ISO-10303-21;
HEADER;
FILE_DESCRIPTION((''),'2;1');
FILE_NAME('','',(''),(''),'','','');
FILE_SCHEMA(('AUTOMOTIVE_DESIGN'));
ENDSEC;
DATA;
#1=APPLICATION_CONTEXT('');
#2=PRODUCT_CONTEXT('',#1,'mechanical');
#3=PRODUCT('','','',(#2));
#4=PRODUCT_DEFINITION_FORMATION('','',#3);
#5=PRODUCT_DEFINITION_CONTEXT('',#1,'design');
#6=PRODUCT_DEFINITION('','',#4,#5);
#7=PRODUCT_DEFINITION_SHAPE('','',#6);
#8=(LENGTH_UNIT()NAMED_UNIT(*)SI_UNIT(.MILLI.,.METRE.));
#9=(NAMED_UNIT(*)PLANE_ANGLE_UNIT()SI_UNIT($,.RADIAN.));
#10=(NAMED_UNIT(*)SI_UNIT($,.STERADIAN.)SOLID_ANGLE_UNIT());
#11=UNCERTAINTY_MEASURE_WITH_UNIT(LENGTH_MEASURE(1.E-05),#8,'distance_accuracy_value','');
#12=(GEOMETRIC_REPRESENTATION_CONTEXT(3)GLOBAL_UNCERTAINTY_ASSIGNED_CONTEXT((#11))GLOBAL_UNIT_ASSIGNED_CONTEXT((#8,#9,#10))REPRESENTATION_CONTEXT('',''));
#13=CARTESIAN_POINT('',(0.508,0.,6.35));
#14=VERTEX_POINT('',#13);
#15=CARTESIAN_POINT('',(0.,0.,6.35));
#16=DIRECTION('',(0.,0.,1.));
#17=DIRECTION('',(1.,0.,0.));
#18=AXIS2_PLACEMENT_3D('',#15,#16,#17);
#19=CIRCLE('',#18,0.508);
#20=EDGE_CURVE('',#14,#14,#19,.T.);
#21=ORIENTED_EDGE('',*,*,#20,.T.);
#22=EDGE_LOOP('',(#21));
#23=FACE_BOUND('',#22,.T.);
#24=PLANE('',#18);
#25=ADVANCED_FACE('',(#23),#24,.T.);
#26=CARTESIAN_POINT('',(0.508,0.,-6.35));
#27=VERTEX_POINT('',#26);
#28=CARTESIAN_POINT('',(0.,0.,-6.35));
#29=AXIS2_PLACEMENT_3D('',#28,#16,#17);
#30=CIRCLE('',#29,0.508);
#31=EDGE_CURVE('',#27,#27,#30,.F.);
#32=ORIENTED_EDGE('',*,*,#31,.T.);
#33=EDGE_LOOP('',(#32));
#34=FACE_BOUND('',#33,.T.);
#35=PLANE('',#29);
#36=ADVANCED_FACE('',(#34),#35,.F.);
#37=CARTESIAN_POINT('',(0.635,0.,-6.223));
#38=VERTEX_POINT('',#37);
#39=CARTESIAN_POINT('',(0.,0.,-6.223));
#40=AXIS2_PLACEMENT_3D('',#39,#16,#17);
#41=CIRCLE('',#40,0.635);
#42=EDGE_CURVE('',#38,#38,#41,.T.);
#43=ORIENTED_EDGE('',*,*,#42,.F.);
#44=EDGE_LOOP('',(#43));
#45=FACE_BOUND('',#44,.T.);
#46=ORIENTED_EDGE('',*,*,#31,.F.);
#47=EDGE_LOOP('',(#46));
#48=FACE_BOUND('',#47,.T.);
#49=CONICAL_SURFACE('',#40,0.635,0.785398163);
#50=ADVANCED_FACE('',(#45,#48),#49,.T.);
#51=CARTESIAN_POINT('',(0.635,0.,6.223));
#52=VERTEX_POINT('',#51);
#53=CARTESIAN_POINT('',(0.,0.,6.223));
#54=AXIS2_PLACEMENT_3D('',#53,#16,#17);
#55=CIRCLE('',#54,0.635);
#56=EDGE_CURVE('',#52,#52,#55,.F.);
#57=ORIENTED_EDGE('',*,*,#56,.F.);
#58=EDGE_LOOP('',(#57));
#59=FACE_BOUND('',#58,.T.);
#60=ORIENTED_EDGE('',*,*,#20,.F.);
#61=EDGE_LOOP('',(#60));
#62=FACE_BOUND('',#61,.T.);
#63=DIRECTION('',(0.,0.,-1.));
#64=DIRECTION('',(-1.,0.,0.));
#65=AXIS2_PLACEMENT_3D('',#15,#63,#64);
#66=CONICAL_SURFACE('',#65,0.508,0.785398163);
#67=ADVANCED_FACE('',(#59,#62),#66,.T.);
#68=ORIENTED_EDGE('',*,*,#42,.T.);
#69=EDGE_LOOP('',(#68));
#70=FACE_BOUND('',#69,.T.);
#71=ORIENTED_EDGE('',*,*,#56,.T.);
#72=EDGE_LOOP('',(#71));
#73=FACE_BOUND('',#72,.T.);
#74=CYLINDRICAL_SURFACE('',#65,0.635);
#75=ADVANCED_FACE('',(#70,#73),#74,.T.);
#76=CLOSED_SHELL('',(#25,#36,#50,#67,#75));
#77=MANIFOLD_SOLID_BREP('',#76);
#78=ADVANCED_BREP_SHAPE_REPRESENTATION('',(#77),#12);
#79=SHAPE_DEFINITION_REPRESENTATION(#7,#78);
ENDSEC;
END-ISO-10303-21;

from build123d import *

# Parameters (mm, degrees)
SKETCH1_R      = 0.635
EXTRUDE1_DEPTH = 6.35
CHAMFER1_SIZE  = 0.127


with BuildPart() as part:
    # Sketch1 → Extrude1 (new, symmetric)
    with BuildSketch(Plane.XY):
        Circle(SKETCH1_R)
    extrude(amount=EXTRUDE1_DEPTH, both=True)

    # Chamfer1
    chamfer1_edges = [part.edges().sort_by_distance(p)[0] for p in [
        (-0.635, 0, -6.35),
        (-0.635, 0, 6.35),
    ]]
    chamfer(chamfer1_edges, length=CHAMFER1_SIZE)


solid = part.part
